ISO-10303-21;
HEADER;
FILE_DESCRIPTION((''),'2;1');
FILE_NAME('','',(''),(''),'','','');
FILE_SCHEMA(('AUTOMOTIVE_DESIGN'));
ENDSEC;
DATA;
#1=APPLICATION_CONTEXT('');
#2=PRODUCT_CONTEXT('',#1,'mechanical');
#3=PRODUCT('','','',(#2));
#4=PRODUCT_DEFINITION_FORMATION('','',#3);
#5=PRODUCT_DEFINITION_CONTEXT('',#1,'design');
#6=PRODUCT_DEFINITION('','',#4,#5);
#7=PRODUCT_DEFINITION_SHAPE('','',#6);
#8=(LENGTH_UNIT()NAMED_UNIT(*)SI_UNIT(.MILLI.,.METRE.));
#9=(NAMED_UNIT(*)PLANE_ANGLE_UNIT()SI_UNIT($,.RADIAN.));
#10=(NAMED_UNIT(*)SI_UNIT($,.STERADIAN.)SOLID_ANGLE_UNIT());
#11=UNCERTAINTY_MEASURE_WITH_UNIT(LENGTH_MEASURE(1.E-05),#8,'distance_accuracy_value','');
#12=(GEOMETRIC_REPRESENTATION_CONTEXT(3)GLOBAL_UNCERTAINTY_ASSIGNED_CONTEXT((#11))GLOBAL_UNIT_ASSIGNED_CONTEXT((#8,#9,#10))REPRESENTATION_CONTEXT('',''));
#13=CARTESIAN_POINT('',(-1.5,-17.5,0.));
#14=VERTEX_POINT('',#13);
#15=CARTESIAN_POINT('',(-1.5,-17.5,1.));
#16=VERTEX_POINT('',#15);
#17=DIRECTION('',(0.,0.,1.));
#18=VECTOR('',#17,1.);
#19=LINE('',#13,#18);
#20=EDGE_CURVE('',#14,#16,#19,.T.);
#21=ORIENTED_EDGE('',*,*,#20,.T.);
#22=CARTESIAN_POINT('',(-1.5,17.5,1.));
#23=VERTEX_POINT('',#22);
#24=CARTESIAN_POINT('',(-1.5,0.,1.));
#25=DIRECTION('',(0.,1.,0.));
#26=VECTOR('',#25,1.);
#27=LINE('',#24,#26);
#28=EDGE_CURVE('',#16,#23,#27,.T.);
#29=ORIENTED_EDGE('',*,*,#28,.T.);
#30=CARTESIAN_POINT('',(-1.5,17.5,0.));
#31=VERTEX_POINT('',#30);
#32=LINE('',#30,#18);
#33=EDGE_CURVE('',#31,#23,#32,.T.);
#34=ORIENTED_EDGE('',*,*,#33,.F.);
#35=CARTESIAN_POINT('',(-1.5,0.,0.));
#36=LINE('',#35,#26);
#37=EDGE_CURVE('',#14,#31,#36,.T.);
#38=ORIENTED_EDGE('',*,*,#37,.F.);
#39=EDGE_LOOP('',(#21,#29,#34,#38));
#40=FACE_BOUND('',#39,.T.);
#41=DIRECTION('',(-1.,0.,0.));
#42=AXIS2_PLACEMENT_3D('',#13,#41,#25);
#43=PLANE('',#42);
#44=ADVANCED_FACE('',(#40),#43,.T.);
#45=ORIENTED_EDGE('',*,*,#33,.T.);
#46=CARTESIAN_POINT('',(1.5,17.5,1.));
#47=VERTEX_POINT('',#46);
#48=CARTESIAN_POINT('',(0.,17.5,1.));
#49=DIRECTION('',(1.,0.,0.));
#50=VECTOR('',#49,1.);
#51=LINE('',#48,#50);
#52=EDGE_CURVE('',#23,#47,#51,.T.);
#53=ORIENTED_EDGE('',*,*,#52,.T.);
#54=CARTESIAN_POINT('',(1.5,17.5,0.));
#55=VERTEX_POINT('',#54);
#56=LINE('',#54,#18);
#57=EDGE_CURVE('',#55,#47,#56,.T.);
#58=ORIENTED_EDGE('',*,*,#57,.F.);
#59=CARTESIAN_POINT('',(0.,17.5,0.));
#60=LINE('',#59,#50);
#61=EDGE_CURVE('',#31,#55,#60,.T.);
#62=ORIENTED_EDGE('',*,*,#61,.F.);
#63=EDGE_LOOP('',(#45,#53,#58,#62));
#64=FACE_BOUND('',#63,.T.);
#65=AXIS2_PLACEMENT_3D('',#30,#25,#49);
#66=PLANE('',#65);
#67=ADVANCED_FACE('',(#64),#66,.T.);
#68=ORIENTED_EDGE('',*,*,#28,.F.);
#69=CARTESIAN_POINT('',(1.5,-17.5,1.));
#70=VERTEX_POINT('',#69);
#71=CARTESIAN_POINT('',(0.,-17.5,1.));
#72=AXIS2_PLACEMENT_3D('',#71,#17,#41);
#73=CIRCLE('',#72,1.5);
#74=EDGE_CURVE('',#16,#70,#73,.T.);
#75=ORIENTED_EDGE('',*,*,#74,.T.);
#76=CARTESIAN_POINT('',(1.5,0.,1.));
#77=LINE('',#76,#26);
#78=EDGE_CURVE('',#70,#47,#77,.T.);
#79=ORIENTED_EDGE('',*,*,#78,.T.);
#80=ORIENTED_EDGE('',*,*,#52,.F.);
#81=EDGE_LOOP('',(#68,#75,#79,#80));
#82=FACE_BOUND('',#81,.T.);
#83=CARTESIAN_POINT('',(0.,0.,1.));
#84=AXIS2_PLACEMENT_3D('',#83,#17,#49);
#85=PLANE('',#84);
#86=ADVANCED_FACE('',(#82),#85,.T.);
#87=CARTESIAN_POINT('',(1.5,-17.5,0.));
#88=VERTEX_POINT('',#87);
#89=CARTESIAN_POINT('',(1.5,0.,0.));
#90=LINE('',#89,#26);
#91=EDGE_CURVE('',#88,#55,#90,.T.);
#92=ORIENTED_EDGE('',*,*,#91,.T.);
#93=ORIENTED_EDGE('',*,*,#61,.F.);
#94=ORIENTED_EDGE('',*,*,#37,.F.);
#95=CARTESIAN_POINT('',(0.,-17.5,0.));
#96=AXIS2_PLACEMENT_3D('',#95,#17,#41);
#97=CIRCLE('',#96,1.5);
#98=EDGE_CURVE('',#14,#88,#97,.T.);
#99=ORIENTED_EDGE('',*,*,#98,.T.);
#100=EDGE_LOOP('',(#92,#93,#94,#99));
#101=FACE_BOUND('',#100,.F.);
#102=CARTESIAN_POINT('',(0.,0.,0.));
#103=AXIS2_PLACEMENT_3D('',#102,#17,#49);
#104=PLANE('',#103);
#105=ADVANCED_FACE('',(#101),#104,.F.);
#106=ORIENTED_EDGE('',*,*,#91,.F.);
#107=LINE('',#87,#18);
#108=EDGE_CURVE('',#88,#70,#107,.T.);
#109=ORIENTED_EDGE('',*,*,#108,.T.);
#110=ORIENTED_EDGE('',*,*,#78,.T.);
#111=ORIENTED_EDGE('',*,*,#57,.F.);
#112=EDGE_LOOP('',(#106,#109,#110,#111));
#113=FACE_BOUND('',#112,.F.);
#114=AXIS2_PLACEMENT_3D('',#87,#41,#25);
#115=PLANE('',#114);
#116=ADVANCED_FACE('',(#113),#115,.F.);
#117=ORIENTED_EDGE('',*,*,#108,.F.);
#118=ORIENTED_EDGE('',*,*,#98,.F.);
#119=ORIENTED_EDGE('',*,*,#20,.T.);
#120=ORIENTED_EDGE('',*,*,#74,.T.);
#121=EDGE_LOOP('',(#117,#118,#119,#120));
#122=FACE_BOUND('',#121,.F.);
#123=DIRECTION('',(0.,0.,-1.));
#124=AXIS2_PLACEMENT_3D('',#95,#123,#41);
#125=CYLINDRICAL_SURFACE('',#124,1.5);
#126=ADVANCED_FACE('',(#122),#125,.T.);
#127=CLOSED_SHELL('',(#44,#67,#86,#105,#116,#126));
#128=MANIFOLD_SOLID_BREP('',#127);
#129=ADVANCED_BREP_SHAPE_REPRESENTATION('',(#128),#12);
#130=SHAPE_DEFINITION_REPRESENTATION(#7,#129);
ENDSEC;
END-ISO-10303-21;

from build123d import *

# Parameters (mm, degrees)
F0_W     = 3
F0_H     = 35
F1_DEPTH = 1


with BuildPart() as f1:
    # F0 (on Top) → F1 (new body)
    with BuildSketch(Plane.XY):
        Rectangle(F0_W, F0_H)
        with BuildLine():
            ThreePointArc((-1.5, -17.5), (0, -19), (1.5, -17.5))
            Line((1.5, -17.5), (-1.5, -17.5))
        make_face()
    extrude(amount=F1_DEPTH)


solid = f1.part
